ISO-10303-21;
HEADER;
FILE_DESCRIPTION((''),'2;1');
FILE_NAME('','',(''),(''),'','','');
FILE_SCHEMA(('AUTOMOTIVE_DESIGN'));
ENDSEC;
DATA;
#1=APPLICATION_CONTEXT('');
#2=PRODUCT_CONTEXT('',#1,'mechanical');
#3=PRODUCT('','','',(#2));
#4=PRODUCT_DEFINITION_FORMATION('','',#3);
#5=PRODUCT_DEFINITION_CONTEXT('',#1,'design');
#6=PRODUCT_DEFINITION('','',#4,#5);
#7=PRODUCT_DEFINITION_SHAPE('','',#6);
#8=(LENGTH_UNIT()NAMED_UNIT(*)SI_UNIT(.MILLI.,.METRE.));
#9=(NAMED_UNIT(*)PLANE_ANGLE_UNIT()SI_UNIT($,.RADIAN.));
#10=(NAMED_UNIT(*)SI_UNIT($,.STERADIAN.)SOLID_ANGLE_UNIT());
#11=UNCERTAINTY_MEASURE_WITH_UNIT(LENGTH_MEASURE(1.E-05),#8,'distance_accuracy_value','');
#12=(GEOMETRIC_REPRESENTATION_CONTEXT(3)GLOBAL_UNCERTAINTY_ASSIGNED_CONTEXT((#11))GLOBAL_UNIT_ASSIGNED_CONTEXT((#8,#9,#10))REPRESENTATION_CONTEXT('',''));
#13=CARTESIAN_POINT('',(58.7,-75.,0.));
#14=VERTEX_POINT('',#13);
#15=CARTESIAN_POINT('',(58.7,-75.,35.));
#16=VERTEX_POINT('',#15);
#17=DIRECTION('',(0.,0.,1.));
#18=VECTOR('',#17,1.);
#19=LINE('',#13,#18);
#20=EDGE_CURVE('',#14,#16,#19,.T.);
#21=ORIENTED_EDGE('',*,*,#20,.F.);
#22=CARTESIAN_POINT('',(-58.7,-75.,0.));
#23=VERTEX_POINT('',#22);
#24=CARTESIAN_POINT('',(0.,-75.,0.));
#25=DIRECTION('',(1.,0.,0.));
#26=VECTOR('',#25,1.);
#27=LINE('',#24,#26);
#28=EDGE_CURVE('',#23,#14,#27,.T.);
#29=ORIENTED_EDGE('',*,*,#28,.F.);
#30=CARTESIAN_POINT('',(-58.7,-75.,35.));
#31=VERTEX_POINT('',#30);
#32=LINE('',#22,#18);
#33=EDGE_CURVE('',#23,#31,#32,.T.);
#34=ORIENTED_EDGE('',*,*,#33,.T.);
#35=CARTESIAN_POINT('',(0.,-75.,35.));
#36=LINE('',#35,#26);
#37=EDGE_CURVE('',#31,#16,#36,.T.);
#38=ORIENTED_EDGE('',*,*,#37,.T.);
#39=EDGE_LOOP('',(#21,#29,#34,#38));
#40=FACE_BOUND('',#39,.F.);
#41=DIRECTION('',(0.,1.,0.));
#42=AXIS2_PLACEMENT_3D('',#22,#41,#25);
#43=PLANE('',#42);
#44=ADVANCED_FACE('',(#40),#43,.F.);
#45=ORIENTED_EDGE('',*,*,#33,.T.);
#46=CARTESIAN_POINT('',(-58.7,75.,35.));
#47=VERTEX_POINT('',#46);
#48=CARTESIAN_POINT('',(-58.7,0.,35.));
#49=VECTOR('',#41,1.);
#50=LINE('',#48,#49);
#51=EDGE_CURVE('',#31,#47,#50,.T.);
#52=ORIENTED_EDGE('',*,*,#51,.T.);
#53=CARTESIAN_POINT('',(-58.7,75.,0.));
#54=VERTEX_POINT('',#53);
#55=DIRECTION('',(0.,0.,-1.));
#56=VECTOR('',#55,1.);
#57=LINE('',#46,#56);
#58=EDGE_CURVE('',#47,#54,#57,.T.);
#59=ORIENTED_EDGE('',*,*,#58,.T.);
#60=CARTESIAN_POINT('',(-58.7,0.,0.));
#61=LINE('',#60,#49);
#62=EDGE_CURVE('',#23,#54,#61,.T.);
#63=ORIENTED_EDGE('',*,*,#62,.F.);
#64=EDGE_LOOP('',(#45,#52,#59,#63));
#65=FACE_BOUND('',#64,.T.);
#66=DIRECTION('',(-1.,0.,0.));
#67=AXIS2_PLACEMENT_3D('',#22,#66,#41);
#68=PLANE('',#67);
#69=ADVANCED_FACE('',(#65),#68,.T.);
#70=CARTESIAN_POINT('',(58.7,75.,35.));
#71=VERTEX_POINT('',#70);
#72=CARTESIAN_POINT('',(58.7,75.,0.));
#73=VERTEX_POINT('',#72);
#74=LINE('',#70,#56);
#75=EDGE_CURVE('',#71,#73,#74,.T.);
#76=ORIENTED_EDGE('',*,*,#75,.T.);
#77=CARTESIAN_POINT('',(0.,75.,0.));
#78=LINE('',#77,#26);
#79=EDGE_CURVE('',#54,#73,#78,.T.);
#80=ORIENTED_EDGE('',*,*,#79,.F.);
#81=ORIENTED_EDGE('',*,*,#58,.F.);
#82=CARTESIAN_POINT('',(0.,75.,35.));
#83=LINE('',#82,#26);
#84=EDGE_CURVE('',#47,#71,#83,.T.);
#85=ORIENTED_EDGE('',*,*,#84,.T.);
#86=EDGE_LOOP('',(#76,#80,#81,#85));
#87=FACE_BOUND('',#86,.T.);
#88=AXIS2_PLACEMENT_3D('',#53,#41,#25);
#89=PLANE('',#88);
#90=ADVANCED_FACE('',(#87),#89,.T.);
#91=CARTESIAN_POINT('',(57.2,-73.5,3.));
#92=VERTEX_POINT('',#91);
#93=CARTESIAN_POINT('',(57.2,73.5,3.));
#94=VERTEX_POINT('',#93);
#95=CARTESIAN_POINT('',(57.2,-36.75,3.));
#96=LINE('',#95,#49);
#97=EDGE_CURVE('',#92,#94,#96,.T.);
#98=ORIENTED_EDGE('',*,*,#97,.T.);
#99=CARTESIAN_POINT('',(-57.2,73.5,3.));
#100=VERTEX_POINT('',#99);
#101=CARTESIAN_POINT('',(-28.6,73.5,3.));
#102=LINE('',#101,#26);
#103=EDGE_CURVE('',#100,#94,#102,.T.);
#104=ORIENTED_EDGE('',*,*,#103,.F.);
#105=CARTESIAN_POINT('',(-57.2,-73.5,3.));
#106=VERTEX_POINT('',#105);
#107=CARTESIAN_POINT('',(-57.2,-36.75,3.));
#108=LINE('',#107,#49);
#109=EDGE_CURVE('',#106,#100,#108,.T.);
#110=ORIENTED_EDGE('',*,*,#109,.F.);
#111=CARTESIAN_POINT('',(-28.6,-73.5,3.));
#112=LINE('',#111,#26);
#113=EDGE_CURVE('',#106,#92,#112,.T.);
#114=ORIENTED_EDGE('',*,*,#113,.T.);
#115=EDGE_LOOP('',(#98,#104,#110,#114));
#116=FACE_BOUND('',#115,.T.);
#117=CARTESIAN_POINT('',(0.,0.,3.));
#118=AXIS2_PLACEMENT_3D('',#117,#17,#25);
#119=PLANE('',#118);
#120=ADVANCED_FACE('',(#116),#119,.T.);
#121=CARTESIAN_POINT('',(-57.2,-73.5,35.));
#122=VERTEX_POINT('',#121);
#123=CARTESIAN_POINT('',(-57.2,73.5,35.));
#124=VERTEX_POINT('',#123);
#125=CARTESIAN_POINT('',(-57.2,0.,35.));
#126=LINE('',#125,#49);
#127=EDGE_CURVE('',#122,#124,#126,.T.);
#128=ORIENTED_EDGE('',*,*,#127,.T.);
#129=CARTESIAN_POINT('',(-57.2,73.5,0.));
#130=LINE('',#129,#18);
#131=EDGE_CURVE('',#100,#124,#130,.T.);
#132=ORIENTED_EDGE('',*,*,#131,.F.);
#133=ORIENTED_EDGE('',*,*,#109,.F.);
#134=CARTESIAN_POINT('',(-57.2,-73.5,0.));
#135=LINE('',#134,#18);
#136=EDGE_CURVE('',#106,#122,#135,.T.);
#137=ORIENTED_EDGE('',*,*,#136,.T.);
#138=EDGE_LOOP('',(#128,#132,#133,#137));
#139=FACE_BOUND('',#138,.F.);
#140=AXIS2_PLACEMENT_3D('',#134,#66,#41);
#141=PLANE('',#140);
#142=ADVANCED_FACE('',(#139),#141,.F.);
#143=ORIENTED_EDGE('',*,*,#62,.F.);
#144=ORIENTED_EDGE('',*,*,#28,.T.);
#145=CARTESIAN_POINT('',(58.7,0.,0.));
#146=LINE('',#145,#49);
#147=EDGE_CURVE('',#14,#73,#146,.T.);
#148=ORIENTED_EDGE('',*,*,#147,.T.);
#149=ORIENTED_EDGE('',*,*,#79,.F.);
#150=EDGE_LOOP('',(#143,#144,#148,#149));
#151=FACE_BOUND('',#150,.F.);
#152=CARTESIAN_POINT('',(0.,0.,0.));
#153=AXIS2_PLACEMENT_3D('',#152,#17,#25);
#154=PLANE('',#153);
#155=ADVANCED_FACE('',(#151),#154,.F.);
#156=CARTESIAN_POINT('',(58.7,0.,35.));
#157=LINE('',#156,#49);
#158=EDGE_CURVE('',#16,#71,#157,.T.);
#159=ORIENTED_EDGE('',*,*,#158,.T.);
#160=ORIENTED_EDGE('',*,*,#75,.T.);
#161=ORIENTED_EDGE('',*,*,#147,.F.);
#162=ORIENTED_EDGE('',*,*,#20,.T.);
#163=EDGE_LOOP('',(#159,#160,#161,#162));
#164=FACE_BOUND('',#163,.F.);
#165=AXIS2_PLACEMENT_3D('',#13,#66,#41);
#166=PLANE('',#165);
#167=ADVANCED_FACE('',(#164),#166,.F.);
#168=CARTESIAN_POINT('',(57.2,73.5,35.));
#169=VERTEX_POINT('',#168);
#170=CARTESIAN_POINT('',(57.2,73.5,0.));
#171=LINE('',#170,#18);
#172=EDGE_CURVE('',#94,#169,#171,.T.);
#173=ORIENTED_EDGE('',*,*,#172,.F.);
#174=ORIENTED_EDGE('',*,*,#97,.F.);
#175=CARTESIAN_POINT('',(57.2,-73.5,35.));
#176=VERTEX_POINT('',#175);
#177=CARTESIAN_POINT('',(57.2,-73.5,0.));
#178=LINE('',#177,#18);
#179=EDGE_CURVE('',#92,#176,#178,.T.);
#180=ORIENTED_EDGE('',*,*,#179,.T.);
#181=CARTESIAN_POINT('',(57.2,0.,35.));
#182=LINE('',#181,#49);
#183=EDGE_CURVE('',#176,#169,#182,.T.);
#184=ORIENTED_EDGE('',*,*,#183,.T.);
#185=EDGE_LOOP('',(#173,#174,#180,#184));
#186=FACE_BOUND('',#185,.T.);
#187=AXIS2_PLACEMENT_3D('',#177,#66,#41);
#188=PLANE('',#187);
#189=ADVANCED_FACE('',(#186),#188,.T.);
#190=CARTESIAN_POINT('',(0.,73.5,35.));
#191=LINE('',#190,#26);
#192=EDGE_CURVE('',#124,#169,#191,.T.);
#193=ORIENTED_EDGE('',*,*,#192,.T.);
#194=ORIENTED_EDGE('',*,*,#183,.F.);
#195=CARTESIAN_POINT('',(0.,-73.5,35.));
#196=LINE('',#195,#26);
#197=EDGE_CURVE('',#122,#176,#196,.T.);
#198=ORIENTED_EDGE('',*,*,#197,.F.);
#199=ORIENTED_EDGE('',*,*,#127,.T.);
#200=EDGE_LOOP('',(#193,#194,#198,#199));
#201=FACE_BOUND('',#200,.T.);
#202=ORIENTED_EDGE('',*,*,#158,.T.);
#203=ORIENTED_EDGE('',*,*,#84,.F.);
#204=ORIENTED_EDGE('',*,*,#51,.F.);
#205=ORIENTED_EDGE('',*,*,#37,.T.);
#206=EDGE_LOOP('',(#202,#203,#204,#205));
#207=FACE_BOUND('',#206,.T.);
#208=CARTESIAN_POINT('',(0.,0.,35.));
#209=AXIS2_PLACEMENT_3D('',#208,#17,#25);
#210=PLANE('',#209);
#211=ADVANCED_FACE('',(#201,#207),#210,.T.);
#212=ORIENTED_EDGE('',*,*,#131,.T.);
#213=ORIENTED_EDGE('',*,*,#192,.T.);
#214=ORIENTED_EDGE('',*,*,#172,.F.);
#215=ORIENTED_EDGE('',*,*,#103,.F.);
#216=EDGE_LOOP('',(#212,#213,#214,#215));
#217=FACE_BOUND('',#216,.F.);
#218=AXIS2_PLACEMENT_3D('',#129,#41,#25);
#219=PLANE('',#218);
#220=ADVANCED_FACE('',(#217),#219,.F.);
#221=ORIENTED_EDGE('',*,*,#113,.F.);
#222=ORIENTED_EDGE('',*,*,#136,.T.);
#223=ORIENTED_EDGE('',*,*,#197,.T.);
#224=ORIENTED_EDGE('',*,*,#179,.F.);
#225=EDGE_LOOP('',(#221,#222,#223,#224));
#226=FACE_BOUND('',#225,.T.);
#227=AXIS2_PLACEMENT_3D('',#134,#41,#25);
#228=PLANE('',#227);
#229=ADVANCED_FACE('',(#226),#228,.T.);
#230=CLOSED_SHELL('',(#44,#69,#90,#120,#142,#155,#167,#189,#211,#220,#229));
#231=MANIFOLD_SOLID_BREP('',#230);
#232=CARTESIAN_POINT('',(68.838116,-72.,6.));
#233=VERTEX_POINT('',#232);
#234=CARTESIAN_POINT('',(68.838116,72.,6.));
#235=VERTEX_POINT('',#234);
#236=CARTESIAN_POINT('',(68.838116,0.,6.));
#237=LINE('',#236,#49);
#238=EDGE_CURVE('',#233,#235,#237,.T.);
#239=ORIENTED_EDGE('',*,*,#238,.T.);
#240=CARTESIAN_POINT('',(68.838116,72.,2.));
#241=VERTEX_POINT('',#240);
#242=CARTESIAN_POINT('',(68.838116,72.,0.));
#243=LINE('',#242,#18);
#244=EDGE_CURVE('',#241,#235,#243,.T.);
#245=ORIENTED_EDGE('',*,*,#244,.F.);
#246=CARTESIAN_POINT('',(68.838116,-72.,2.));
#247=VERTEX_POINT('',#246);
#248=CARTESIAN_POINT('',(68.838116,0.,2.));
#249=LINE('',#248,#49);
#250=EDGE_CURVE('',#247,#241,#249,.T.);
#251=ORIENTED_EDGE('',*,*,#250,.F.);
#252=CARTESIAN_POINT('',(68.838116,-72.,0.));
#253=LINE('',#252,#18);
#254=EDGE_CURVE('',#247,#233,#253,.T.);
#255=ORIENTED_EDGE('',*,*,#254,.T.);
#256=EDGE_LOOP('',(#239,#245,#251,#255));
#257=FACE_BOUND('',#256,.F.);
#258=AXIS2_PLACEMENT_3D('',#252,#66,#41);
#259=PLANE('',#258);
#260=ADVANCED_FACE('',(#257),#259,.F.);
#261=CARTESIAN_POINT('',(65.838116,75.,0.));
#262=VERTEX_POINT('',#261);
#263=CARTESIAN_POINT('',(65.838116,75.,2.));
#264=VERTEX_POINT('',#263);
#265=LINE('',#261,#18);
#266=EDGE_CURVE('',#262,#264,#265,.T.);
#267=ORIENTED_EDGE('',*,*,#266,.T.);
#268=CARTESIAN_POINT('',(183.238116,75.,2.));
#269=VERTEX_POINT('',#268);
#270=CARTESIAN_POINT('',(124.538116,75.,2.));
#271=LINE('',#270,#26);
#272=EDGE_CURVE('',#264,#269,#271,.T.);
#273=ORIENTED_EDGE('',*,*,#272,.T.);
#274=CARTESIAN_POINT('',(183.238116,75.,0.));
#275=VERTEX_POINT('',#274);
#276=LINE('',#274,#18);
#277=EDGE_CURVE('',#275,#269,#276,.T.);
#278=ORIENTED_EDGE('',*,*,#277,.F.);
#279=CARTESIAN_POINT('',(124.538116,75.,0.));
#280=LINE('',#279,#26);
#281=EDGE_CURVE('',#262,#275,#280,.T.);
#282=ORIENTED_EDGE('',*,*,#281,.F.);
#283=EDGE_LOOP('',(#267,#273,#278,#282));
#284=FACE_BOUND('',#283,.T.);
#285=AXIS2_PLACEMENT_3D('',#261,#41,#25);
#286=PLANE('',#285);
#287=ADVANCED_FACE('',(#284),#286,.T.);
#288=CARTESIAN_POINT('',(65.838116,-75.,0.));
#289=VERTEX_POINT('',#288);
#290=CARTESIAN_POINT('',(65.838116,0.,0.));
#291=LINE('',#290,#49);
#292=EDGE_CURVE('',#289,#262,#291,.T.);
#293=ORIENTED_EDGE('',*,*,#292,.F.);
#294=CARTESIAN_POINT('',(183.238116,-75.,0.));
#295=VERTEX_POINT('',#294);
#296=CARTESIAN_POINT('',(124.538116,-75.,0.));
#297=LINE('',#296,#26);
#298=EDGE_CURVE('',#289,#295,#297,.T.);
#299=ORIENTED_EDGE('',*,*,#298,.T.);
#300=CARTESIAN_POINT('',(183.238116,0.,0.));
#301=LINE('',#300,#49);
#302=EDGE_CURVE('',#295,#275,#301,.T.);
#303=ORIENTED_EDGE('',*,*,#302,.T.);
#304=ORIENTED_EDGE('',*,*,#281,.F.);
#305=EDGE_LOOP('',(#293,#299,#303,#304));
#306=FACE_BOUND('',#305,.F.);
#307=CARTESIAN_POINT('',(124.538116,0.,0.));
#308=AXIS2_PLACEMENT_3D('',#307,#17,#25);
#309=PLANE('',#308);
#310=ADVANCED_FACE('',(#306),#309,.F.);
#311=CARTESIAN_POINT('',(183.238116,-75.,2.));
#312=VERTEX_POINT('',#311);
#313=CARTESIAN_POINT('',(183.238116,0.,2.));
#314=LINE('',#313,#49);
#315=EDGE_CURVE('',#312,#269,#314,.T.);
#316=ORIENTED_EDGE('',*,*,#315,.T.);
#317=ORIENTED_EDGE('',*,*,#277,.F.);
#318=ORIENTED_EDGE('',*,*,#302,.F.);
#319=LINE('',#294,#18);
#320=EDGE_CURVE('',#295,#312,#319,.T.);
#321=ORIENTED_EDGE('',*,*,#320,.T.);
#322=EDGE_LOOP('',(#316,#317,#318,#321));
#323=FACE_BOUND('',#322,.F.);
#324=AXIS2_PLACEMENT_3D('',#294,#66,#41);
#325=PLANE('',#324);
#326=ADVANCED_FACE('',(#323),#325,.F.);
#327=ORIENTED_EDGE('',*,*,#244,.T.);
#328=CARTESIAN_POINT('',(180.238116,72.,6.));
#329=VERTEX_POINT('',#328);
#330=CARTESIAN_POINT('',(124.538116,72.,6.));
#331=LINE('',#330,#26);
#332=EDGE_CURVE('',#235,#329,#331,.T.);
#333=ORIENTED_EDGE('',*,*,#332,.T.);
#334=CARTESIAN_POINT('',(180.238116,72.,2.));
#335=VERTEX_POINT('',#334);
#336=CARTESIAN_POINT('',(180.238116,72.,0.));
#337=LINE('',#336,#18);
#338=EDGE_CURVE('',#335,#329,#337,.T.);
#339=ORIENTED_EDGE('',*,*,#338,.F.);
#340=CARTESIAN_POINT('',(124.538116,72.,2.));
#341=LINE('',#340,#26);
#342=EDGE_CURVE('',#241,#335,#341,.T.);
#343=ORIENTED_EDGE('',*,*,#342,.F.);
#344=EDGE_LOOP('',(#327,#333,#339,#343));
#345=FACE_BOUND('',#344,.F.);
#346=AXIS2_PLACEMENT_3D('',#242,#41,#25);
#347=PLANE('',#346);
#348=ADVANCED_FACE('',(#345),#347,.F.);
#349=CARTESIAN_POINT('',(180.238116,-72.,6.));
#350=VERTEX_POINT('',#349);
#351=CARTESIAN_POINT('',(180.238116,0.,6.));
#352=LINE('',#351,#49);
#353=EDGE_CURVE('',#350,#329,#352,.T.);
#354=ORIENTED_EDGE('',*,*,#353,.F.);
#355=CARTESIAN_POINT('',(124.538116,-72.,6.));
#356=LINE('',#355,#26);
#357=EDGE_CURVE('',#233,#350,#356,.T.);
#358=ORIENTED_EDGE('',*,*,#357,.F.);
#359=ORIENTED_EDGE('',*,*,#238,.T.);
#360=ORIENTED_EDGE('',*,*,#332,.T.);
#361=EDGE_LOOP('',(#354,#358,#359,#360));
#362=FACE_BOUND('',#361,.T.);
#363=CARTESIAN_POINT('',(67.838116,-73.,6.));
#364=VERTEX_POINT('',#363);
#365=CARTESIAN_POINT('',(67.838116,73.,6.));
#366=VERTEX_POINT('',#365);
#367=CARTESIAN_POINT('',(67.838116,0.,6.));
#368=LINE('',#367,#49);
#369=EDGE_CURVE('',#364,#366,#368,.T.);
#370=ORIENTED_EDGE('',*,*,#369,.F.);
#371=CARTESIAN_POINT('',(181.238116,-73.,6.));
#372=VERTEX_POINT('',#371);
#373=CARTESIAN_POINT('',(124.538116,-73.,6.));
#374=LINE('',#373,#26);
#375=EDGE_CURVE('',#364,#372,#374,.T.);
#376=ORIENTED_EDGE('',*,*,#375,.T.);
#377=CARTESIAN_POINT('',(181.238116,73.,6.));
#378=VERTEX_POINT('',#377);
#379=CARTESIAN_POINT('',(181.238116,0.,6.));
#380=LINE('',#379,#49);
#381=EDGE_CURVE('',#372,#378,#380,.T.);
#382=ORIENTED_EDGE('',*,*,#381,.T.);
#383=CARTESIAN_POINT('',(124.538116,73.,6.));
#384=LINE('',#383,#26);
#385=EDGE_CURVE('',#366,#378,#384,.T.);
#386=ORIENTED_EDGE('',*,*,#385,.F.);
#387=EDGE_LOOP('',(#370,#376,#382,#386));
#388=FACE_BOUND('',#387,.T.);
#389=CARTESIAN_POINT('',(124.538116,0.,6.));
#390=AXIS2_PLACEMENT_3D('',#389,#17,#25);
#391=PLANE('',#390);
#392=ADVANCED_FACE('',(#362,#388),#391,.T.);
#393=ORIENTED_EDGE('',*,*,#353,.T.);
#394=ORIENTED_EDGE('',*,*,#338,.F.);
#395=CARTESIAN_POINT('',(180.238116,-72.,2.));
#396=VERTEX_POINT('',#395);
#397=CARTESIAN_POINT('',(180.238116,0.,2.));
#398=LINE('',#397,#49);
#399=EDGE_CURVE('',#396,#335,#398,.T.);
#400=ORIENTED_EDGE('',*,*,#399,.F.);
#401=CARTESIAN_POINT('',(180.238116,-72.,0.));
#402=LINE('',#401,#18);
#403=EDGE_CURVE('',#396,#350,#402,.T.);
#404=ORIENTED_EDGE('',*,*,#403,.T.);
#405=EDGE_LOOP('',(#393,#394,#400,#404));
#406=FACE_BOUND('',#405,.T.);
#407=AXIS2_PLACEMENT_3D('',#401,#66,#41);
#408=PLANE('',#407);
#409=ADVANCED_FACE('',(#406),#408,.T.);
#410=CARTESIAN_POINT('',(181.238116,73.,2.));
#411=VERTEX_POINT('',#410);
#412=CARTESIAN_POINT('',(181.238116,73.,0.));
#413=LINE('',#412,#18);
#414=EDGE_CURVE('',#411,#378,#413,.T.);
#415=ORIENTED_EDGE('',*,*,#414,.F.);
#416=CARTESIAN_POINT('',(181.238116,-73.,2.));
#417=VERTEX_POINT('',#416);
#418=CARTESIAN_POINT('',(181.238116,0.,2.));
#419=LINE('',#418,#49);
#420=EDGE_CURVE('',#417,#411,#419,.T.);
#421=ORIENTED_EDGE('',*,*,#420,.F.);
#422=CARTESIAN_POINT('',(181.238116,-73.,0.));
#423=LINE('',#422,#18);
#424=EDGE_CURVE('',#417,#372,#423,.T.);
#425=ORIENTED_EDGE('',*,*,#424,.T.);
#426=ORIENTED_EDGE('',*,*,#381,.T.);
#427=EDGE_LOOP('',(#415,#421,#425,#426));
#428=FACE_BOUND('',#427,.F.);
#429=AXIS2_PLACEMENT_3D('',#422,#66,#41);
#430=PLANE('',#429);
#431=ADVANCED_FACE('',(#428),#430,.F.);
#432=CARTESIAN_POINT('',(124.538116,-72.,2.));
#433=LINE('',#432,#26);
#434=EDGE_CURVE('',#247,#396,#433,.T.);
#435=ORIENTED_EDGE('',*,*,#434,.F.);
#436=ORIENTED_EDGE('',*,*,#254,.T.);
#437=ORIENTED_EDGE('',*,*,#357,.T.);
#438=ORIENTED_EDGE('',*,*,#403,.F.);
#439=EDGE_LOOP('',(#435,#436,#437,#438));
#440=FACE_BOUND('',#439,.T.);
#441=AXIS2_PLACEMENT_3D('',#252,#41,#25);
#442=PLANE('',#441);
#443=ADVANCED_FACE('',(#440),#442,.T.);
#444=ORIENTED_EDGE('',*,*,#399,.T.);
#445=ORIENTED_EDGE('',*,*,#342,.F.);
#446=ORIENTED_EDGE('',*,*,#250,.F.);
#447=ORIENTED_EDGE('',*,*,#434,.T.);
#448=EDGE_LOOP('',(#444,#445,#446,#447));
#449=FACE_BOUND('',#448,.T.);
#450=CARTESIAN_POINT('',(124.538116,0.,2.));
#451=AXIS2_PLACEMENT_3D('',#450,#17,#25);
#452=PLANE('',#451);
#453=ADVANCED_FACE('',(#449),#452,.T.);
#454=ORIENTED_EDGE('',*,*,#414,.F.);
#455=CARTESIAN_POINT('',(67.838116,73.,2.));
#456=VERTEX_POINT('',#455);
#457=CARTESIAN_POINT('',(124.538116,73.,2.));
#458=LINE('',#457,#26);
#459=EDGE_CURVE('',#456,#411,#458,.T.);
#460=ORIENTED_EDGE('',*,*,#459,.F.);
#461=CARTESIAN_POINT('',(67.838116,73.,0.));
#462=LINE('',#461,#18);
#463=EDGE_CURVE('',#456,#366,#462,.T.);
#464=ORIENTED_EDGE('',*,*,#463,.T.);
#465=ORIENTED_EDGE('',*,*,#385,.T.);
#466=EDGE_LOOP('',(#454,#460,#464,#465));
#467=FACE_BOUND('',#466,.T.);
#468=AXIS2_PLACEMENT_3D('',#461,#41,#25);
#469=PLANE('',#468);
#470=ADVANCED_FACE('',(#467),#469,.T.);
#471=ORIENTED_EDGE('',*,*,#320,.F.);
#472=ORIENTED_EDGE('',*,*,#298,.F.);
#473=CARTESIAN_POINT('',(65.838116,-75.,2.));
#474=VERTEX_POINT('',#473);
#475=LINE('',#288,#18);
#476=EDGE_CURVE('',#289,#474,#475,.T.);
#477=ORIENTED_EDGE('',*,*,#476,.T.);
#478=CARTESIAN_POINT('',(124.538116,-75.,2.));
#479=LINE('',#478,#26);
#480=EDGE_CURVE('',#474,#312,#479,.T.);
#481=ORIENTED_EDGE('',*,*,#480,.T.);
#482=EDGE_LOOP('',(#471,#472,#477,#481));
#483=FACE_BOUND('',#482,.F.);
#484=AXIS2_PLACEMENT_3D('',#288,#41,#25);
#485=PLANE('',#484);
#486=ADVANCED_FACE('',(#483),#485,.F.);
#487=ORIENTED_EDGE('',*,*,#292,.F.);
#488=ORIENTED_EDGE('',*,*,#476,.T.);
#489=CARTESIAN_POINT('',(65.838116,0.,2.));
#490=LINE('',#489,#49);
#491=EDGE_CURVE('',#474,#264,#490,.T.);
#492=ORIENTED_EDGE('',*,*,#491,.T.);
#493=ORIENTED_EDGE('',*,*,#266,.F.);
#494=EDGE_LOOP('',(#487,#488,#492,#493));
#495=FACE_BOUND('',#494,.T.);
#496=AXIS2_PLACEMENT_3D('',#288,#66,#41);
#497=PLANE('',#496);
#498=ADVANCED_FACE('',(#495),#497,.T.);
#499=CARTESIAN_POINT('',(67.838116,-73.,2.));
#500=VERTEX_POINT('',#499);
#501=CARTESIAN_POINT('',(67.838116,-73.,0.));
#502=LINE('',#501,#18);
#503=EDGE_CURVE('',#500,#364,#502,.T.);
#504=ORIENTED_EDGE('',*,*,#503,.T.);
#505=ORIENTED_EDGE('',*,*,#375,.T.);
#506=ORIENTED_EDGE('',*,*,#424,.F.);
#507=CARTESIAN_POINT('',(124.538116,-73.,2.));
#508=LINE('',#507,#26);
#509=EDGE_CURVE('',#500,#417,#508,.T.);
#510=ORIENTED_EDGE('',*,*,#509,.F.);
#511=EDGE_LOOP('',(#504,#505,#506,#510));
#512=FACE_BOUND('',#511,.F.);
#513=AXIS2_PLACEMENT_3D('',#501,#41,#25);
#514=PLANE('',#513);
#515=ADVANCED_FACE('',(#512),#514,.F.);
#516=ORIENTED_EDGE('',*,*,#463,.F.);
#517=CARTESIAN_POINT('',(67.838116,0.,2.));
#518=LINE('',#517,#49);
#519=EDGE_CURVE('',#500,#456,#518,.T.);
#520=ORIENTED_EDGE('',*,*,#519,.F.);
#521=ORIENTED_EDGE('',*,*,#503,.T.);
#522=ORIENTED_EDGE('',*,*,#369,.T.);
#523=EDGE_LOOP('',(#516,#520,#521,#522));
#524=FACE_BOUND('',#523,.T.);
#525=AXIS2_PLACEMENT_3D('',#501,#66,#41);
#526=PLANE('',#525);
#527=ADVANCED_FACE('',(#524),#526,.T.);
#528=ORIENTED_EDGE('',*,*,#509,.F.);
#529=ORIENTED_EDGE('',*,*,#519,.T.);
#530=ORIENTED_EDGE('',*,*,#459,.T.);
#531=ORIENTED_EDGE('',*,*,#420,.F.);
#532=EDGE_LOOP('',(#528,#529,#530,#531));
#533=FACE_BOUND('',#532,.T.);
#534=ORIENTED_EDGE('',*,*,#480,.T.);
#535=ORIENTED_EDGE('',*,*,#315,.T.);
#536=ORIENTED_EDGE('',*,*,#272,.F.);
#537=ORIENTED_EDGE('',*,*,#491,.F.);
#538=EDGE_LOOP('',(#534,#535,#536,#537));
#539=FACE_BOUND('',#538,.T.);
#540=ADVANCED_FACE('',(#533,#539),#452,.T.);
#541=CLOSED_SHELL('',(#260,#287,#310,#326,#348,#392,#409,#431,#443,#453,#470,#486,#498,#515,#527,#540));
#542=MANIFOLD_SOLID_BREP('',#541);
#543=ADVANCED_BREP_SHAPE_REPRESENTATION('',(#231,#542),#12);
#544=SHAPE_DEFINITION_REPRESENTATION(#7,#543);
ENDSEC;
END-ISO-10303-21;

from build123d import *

# Parameters (mm, degrees)
F0_W     = 117.4
F0_H     = 150
F0_W_2   = 114.4
F0_H_2   = 147
F1_DEPTH = 35
F2_W     = 117.4
F2_H     = 150
F3_DEPTH = 3
F4_W     = 113.4
F4_H     = 146
F4_W_2   = 111.4
F4_H_2   = 144
F5_DEPTH = 6
F4_W_3   = 117.4
F4_H_3   = 150
F6_DEPTH = 2


with BuildPart() as f1:
    # F0 (on Top) → F1 (new body)
    with BuildSketch(Plane.XY):
        Rectangle(F0_W, F0_H)
        Rectangle(F0_W_2, F0_H_2, mode=Mode.SUBTRACT)
    extrude(amount=F1_DEPTH)

    # F2 (on Top) → F3 (join)
    with BuildSketch(Plane.XY):
        Rectangle(F2_W, F2_H)
    extrude(amount=F3_DEPTH)


with BuildPart() as f5:
    # F4 (on Top) → F5 (new body)
    with BuildSketch(Plane.XY):
        with Locations((124.538116, 0)):
            Rectangle(F4_W, F4_H)
        with Locations((124.538116, 0)):
            Rectangle(F4_W_2, F4_H_2, mode=Mode.SUBTRACT)
    extrude(amount=F5_DEPTH)

    # F4 (on Top) → F6 (join)
    with BuildSketch(Plane.XY):
        with Locations((124.538116, 0)):
            Rectangle(F4_W_3, F4_H_3)
        with Locations((124.538116, 0)):
            Rectangle(F4_W, F4_H, mode=Mode.SUBTRACT)
        with Locations((124.538116, 0)):
            Rectangle(F4_W_2, F4_H_2)
    extrude(amount=F6_DEPTH)


solid = Compound([f1.part, f5.part])
